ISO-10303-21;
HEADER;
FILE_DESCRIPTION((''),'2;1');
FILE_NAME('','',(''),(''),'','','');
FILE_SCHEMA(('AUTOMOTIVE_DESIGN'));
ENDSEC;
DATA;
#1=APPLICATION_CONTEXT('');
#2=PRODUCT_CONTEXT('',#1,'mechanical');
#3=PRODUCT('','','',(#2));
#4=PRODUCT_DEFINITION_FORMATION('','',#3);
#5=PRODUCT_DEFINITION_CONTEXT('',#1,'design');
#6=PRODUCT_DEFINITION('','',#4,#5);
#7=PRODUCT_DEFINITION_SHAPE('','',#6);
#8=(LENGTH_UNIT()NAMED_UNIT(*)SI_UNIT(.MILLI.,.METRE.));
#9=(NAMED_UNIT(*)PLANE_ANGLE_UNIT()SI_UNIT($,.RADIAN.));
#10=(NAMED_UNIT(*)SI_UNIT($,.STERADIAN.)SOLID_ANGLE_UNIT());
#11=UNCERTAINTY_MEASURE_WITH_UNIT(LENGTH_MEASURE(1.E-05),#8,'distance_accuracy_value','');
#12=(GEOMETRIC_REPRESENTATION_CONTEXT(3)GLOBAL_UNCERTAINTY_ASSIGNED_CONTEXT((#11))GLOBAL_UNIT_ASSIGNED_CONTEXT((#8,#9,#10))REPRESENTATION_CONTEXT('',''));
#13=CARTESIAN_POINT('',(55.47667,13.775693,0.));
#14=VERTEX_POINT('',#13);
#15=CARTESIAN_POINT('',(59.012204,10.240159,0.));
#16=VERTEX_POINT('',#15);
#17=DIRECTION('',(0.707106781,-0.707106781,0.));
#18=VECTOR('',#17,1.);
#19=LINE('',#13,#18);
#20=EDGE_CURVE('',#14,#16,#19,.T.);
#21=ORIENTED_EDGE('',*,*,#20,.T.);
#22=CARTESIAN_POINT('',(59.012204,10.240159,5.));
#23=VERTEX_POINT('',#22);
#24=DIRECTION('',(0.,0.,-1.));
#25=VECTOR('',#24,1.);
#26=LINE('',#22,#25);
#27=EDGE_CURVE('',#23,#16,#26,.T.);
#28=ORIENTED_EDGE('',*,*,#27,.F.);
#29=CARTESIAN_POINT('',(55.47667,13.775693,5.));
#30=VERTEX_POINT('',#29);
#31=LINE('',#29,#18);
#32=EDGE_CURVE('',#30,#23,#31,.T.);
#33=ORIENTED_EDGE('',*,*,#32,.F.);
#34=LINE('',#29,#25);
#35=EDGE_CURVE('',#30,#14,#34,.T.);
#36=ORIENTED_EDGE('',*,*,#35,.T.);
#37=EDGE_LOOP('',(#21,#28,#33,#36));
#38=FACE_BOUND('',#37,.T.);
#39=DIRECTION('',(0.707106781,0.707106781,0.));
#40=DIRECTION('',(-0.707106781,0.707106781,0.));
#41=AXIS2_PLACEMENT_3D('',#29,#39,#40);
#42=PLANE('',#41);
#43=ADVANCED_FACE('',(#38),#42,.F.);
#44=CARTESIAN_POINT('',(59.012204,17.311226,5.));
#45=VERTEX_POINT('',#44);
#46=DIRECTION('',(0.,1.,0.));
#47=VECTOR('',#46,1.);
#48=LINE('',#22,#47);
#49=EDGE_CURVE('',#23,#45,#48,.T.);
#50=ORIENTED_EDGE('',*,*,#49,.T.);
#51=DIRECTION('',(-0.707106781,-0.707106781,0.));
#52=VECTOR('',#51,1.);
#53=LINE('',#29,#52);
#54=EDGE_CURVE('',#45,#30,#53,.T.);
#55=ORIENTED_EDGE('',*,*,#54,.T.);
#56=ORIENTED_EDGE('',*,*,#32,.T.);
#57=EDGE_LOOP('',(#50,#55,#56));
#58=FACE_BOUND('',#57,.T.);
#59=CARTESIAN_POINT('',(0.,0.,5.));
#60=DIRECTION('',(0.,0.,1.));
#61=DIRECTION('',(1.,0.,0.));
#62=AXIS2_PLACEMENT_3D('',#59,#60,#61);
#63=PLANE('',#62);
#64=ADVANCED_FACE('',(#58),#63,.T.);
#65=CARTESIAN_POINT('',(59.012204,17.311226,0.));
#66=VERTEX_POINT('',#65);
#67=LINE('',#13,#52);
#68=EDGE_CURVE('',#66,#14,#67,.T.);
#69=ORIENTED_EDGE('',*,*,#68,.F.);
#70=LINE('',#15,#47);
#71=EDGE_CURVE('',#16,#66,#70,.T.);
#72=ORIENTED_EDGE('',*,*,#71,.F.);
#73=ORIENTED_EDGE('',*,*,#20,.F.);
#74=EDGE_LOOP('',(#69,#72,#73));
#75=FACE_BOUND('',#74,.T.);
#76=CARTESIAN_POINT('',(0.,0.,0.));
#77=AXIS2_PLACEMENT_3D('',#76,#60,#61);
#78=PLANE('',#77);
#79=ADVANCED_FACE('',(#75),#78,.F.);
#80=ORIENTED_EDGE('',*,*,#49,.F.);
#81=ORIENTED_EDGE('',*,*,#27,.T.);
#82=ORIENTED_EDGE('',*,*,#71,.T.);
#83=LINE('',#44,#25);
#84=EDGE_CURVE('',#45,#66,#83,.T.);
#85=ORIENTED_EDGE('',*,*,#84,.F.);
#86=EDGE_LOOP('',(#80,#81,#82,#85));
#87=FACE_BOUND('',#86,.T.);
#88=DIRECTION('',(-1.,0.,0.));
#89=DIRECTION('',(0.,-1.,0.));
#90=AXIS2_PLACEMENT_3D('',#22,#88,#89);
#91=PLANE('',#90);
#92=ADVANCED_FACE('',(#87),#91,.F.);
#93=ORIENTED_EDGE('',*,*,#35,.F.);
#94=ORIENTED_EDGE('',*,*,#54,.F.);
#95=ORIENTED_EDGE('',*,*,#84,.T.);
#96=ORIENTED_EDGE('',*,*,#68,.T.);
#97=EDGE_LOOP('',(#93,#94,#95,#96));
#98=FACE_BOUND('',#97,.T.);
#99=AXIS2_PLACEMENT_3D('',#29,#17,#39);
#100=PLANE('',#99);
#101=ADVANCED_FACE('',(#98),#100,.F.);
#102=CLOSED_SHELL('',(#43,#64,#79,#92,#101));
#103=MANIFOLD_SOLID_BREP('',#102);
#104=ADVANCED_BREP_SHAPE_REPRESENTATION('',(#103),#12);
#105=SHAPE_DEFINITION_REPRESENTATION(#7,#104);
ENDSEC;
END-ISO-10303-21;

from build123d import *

# Parameters (mm, degrees)
EXTRUDE_1_DEPTH = 5


with BuildPart() as part:
    # 草图1 → 凸台-拉伸1 (new body)
    with BuildSketch(Plane.XY):
        Polygon((55.476669953, 13.775692553), (59.012203859, 17.311226459), (59.012203859, 10.240158647), align=None)
    extrude(amount=EXTRUDE_1_DEPTH)


solid = part.part
